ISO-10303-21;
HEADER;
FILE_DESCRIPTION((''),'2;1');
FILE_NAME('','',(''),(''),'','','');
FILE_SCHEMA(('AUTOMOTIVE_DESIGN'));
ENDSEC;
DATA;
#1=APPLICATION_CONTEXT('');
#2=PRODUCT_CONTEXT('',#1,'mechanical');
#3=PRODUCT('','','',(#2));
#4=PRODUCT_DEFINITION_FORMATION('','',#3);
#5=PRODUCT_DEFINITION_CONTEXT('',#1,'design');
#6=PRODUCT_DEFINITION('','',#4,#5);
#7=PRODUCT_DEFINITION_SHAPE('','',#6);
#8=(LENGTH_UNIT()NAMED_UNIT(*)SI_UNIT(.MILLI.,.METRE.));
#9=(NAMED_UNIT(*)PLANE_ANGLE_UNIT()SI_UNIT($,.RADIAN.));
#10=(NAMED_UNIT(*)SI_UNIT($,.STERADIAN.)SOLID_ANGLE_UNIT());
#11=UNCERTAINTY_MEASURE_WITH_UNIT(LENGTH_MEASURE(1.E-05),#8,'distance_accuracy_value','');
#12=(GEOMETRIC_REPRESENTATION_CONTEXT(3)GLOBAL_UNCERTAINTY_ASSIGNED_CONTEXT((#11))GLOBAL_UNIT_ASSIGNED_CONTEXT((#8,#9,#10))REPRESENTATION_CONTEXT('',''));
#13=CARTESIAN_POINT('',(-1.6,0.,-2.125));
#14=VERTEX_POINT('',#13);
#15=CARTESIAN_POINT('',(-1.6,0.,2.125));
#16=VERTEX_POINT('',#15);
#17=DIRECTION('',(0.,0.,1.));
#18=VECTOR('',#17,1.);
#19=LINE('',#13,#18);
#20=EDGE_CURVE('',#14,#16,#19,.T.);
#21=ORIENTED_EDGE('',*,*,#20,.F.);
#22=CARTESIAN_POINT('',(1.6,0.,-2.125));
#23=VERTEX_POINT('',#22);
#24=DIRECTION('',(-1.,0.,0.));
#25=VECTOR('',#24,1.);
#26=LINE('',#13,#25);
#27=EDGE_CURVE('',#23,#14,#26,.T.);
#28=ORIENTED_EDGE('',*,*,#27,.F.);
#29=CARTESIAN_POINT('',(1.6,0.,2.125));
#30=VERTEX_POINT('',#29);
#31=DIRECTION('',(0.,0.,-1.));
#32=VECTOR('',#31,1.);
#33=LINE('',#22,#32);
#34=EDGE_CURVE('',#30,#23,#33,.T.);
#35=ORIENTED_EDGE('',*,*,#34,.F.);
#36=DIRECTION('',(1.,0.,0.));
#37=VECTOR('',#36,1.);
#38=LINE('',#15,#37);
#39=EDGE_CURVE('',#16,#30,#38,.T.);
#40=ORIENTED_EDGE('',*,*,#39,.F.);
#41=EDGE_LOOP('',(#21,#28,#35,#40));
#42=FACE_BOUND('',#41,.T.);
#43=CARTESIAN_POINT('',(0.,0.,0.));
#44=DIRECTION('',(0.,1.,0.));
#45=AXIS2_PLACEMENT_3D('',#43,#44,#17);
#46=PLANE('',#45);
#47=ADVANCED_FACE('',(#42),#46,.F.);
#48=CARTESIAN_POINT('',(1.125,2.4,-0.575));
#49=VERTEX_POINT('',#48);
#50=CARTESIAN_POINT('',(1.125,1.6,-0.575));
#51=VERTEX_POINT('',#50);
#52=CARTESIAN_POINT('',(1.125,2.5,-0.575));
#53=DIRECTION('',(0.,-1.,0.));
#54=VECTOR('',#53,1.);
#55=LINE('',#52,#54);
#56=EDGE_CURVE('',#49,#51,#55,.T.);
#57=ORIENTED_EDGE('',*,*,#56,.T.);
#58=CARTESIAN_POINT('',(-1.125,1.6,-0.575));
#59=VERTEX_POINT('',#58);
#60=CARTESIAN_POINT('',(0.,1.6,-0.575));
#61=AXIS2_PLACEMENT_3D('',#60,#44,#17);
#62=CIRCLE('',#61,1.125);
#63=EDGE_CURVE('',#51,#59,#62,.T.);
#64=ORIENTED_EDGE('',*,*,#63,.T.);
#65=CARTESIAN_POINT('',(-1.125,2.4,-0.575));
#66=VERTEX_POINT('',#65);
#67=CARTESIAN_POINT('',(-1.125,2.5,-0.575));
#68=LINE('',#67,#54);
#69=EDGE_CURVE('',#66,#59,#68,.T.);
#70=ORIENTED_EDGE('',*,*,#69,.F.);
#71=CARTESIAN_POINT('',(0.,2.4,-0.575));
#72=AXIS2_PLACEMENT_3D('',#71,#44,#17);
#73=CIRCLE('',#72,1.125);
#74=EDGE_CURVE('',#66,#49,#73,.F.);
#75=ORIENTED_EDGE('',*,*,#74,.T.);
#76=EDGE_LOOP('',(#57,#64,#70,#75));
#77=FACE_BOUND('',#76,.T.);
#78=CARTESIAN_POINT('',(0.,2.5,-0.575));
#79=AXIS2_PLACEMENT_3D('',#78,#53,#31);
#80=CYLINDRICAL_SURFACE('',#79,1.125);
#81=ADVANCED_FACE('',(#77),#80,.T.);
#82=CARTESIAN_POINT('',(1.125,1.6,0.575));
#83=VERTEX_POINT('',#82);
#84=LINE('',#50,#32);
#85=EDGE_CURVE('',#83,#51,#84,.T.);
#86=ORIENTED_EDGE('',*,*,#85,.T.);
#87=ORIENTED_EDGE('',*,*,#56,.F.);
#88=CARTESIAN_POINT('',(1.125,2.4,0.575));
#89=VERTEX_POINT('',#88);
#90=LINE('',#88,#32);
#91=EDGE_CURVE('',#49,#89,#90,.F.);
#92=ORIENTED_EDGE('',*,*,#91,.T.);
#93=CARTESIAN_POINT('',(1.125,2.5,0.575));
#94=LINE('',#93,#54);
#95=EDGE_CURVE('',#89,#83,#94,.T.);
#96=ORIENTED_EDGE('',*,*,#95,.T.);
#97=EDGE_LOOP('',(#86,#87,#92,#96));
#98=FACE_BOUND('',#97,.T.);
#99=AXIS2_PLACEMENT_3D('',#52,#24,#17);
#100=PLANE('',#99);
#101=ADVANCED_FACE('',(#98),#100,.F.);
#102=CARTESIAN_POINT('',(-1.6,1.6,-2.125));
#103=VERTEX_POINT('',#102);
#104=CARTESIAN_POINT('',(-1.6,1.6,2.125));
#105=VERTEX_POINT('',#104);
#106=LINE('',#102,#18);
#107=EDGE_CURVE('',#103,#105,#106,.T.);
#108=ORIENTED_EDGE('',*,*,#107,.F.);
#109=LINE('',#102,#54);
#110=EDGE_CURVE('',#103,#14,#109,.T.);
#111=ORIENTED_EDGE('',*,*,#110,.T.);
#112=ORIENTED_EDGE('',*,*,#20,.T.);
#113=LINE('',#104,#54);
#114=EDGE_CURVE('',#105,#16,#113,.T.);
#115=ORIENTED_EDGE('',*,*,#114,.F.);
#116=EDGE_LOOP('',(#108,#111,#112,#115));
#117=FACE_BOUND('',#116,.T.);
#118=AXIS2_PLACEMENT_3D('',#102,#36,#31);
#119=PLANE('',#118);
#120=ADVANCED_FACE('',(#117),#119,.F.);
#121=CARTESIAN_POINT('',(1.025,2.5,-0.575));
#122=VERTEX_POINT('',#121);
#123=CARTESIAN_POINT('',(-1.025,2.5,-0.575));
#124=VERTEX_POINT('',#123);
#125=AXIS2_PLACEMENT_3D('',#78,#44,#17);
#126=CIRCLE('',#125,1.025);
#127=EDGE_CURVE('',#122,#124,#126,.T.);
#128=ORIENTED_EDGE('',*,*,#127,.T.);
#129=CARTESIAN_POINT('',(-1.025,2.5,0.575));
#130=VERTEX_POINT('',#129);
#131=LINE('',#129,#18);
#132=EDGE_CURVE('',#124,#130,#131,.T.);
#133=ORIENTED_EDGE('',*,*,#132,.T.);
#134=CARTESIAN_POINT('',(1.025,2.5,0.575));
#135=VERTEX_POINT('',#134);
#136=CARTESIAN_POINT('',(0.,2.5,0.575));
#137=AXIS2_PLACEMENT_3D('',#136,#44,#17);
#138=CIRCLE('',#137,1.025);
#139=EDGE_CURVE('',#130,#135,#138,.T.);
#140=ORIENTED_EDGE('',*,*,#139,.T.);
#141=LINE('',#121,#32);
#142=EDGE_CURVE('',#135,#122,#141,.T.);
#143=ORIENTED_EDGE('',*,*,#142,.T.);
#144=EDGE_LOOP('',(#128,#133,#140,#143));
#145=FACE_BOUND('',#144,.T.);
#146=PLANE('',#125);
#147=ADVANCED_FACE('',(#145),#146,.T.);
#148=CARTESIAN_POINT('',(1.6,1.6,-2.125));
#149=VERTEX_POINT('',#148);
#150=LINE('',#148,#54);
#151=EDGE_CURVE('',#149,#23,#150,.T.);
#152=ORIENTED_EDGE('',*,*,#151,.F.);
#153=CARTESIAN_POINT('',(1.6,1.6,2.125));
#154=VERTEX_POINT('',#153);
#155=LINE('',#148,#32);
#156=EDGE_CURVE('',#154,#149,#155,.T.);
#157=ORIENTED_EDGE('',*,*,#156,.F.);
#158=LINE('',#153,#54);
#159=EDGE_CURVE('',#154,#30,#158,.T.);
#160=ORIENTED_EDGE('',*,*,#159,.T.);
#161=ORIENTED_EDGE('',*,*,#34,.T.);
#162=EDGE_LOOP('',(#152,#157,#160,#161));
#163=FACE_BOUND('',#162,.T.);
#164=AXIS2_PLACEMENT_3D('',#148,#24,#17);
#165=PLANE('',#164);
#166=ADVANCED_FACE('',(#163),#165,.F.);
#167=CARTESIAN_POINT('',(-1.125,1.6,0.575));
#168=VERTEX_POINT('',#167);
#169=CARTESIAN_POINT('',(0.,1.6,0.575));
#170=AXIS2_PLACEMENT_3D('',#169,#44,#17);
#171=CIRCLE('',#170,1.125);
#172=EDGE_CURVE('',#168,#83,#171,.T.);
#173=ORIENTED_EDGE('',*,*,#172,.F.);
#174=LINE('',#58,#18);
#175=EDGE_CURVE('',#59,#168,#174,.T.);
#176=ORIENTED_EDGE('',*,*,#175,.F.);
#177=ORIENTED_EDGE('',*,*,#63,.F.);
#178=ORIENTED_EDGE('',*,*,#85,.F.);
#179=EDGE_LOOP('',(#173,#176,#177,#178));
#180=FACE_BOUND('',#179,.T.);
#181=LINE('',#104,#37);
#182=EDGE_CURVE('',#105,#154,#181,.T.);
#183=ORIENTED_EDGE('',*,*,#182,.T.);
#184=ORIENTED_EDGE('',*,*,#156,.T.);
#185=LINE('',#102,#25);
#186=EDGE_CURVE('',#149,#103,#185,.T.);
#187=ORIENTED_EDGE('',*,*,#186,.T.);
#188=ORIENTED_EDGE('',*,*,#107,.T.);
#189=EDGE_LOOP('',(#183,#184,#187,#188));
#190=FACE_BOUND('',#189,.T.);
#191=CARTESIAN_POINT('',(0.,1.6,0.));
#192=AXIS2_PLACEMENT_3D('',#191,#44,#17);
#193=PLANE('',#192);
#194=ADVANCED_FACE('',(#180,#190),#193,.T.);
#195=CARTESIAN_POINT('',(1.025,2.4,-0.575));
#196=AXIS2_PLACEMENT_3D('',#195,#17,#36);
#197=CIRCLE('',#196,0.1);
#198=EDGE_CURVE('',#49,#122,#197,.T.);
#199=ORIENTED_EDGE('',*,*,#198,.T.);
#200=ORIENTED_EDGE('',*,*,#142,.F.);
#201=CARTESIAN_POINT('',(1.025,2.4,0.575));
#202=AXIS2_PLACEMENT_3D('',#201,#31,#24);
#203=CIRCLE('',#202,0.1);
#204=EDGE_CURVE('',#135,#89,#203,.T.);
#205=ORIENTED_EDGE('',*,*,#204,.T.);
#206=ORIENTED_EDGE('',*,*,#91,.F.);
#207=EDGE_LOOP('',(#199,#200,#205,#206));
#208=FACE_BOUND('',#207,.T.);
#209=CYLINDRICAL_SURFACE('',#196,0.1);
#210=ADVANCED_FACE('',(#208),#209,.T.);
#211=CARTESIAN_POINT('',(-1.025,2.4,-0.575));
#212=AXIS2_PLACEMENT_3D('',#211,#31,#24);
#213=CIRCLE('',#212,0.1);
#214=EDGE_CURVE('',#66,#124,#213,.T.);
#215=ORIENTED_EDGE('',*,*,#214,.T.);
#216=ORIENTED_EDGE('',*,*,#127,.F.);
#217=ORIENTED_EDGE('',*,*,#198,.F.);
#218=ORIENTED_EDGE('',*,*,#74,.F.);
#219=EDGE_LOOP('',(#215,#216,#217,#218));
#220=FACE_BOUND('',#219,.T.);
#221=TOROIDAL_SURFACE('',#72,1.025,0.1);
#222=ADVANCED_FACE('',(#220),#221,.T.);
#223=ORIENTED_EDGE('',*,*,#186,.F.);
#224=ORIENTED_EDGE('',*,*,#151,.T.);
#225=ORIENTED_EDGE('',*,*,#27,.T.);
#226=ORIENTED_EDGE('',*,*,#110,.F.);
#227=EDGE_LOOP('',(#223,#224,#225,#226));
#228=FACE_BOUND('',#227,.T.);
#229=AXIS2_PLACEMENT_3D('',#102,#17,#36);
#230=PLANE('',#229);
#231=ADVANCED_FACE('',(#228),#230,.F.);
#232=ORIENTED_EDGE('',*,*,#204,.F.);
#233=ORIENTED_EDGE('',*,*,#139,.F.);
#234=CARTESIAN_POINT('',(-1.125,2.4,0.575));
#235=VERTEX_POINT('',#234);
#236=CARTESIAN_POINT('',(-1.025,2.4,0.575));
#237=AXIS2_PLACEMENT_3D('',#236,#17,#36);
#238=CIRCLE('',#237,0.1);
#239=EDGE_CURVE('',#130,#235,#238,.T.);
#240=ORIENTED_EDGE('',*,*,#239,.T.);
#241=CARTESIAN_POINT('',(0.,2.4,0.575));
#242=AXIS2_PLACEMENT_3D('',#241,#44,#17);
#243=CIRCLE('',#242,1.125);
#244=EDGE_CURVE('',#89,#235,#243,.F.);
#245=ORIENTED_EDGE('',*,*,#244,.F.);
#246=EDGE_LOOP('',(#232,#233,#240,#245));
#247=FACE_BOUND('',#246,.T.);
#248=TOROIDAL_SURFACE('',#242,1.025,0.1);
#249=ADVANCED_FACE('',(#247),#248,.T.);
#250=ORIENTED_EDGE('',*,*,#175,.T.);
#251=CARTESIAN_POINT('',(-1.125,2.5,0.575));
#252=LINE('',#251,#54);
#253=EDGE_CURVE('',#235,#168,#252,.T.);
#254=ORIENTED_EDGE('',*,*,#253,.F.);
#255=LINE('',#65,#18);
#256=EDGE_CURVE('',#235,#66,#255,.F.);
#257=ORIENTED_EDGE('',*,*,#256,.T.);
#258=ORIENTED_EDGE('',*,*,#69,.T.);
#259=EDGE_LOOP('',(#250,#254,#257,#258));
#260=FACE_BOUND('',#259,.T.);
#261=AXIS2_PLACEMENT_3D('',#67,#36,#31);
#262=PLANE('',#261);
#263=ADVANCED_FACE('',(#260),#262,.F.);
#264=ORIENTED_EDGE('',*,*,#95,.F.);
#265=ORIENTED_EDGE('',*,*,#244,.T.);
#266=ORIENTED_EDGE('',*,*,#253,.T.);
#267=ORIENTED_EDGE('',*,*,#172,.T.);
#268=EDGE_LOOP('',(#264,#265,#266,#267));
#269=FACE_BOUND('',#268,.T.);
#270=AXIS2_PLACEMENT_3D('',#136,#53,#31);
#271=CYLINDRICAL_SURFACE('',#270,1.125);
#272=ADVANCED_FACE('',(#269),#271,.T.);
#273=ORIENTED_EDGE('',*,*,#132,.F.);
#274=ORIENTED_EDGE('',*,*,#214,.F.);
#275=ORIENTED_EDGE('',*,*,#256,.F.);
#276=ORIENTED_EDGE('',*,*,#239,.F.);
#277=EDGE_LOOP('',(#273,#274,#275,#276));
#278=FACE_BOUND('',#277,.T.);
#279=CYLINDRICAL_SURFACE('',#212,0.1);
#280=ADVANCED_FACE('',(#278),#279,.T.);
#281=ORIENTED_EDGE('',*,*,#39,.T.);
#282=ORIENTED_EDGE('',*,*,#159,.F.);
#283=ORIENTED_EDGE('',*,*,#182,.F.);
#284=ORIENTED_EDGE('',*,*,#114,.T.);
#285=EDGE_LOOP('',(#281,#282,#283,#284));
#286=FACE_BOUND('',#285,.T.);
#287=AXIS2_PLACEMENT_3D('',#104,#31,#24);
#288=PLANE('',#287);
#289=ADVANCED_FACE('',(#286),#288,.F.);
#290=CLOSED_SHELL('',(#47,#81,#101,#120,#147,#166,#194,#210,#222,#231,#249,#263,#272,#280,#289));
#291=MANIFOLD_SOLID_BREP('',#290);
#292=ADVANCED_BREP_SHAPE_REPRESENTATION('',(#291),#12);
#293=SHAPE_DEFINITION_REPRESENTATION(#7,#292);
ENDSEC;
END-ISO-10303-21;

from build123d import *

# Parameters (mm, degrees)
BASES_W      = 3.2
BASES_H      = 4.25
BASE_DEPTH   = 1.6
BUTTON_DEPTH = 0.9
BF_R         = 0.1


with BuildPart() as part:
    # BaseS → Base (new body)
    with BuildSketch(Plane(origin=(0, 0, 0), x_dir=(1, 0, 0), z_dir=(0, 1, 0))):
        Rectangle(BASES_W, BASES_H)
    extrude(amount=BASE_DEPTH)

    # ButtonS → Button (add)
    with BuildSketch(Plane(origin=(0, 1.6, 0), x_dir=(1, 0, 0), z_dir=(0, 1, 0))):
        with BuildLine():
            Line((1.125, 0.575), (1.125, -0.575))
            ThreePointArc((1.125, -0.575), (0, -1.7), (-1.125, -0.575))
            Line((-1.125, -0.575), (-1.125, 0.575))
            ThreePointArc((-1.125, 0.575), (0, 1.7), (1.125, 0.575))
        make_face()
    extrude(amount=BUTTON_DEPTH)

    # BF
    bf_edges = [part.edges().sort_by_distance(p)[0] for p in [
        (0, 2.5, -1.7),
        (-1.125, 2.5, 0),
        (0, 2.5, 1.7),
        (1.125, 2.5, 0),
    ]]
    fillet(bf_edges, radius=BF_R)


solid = part.part
